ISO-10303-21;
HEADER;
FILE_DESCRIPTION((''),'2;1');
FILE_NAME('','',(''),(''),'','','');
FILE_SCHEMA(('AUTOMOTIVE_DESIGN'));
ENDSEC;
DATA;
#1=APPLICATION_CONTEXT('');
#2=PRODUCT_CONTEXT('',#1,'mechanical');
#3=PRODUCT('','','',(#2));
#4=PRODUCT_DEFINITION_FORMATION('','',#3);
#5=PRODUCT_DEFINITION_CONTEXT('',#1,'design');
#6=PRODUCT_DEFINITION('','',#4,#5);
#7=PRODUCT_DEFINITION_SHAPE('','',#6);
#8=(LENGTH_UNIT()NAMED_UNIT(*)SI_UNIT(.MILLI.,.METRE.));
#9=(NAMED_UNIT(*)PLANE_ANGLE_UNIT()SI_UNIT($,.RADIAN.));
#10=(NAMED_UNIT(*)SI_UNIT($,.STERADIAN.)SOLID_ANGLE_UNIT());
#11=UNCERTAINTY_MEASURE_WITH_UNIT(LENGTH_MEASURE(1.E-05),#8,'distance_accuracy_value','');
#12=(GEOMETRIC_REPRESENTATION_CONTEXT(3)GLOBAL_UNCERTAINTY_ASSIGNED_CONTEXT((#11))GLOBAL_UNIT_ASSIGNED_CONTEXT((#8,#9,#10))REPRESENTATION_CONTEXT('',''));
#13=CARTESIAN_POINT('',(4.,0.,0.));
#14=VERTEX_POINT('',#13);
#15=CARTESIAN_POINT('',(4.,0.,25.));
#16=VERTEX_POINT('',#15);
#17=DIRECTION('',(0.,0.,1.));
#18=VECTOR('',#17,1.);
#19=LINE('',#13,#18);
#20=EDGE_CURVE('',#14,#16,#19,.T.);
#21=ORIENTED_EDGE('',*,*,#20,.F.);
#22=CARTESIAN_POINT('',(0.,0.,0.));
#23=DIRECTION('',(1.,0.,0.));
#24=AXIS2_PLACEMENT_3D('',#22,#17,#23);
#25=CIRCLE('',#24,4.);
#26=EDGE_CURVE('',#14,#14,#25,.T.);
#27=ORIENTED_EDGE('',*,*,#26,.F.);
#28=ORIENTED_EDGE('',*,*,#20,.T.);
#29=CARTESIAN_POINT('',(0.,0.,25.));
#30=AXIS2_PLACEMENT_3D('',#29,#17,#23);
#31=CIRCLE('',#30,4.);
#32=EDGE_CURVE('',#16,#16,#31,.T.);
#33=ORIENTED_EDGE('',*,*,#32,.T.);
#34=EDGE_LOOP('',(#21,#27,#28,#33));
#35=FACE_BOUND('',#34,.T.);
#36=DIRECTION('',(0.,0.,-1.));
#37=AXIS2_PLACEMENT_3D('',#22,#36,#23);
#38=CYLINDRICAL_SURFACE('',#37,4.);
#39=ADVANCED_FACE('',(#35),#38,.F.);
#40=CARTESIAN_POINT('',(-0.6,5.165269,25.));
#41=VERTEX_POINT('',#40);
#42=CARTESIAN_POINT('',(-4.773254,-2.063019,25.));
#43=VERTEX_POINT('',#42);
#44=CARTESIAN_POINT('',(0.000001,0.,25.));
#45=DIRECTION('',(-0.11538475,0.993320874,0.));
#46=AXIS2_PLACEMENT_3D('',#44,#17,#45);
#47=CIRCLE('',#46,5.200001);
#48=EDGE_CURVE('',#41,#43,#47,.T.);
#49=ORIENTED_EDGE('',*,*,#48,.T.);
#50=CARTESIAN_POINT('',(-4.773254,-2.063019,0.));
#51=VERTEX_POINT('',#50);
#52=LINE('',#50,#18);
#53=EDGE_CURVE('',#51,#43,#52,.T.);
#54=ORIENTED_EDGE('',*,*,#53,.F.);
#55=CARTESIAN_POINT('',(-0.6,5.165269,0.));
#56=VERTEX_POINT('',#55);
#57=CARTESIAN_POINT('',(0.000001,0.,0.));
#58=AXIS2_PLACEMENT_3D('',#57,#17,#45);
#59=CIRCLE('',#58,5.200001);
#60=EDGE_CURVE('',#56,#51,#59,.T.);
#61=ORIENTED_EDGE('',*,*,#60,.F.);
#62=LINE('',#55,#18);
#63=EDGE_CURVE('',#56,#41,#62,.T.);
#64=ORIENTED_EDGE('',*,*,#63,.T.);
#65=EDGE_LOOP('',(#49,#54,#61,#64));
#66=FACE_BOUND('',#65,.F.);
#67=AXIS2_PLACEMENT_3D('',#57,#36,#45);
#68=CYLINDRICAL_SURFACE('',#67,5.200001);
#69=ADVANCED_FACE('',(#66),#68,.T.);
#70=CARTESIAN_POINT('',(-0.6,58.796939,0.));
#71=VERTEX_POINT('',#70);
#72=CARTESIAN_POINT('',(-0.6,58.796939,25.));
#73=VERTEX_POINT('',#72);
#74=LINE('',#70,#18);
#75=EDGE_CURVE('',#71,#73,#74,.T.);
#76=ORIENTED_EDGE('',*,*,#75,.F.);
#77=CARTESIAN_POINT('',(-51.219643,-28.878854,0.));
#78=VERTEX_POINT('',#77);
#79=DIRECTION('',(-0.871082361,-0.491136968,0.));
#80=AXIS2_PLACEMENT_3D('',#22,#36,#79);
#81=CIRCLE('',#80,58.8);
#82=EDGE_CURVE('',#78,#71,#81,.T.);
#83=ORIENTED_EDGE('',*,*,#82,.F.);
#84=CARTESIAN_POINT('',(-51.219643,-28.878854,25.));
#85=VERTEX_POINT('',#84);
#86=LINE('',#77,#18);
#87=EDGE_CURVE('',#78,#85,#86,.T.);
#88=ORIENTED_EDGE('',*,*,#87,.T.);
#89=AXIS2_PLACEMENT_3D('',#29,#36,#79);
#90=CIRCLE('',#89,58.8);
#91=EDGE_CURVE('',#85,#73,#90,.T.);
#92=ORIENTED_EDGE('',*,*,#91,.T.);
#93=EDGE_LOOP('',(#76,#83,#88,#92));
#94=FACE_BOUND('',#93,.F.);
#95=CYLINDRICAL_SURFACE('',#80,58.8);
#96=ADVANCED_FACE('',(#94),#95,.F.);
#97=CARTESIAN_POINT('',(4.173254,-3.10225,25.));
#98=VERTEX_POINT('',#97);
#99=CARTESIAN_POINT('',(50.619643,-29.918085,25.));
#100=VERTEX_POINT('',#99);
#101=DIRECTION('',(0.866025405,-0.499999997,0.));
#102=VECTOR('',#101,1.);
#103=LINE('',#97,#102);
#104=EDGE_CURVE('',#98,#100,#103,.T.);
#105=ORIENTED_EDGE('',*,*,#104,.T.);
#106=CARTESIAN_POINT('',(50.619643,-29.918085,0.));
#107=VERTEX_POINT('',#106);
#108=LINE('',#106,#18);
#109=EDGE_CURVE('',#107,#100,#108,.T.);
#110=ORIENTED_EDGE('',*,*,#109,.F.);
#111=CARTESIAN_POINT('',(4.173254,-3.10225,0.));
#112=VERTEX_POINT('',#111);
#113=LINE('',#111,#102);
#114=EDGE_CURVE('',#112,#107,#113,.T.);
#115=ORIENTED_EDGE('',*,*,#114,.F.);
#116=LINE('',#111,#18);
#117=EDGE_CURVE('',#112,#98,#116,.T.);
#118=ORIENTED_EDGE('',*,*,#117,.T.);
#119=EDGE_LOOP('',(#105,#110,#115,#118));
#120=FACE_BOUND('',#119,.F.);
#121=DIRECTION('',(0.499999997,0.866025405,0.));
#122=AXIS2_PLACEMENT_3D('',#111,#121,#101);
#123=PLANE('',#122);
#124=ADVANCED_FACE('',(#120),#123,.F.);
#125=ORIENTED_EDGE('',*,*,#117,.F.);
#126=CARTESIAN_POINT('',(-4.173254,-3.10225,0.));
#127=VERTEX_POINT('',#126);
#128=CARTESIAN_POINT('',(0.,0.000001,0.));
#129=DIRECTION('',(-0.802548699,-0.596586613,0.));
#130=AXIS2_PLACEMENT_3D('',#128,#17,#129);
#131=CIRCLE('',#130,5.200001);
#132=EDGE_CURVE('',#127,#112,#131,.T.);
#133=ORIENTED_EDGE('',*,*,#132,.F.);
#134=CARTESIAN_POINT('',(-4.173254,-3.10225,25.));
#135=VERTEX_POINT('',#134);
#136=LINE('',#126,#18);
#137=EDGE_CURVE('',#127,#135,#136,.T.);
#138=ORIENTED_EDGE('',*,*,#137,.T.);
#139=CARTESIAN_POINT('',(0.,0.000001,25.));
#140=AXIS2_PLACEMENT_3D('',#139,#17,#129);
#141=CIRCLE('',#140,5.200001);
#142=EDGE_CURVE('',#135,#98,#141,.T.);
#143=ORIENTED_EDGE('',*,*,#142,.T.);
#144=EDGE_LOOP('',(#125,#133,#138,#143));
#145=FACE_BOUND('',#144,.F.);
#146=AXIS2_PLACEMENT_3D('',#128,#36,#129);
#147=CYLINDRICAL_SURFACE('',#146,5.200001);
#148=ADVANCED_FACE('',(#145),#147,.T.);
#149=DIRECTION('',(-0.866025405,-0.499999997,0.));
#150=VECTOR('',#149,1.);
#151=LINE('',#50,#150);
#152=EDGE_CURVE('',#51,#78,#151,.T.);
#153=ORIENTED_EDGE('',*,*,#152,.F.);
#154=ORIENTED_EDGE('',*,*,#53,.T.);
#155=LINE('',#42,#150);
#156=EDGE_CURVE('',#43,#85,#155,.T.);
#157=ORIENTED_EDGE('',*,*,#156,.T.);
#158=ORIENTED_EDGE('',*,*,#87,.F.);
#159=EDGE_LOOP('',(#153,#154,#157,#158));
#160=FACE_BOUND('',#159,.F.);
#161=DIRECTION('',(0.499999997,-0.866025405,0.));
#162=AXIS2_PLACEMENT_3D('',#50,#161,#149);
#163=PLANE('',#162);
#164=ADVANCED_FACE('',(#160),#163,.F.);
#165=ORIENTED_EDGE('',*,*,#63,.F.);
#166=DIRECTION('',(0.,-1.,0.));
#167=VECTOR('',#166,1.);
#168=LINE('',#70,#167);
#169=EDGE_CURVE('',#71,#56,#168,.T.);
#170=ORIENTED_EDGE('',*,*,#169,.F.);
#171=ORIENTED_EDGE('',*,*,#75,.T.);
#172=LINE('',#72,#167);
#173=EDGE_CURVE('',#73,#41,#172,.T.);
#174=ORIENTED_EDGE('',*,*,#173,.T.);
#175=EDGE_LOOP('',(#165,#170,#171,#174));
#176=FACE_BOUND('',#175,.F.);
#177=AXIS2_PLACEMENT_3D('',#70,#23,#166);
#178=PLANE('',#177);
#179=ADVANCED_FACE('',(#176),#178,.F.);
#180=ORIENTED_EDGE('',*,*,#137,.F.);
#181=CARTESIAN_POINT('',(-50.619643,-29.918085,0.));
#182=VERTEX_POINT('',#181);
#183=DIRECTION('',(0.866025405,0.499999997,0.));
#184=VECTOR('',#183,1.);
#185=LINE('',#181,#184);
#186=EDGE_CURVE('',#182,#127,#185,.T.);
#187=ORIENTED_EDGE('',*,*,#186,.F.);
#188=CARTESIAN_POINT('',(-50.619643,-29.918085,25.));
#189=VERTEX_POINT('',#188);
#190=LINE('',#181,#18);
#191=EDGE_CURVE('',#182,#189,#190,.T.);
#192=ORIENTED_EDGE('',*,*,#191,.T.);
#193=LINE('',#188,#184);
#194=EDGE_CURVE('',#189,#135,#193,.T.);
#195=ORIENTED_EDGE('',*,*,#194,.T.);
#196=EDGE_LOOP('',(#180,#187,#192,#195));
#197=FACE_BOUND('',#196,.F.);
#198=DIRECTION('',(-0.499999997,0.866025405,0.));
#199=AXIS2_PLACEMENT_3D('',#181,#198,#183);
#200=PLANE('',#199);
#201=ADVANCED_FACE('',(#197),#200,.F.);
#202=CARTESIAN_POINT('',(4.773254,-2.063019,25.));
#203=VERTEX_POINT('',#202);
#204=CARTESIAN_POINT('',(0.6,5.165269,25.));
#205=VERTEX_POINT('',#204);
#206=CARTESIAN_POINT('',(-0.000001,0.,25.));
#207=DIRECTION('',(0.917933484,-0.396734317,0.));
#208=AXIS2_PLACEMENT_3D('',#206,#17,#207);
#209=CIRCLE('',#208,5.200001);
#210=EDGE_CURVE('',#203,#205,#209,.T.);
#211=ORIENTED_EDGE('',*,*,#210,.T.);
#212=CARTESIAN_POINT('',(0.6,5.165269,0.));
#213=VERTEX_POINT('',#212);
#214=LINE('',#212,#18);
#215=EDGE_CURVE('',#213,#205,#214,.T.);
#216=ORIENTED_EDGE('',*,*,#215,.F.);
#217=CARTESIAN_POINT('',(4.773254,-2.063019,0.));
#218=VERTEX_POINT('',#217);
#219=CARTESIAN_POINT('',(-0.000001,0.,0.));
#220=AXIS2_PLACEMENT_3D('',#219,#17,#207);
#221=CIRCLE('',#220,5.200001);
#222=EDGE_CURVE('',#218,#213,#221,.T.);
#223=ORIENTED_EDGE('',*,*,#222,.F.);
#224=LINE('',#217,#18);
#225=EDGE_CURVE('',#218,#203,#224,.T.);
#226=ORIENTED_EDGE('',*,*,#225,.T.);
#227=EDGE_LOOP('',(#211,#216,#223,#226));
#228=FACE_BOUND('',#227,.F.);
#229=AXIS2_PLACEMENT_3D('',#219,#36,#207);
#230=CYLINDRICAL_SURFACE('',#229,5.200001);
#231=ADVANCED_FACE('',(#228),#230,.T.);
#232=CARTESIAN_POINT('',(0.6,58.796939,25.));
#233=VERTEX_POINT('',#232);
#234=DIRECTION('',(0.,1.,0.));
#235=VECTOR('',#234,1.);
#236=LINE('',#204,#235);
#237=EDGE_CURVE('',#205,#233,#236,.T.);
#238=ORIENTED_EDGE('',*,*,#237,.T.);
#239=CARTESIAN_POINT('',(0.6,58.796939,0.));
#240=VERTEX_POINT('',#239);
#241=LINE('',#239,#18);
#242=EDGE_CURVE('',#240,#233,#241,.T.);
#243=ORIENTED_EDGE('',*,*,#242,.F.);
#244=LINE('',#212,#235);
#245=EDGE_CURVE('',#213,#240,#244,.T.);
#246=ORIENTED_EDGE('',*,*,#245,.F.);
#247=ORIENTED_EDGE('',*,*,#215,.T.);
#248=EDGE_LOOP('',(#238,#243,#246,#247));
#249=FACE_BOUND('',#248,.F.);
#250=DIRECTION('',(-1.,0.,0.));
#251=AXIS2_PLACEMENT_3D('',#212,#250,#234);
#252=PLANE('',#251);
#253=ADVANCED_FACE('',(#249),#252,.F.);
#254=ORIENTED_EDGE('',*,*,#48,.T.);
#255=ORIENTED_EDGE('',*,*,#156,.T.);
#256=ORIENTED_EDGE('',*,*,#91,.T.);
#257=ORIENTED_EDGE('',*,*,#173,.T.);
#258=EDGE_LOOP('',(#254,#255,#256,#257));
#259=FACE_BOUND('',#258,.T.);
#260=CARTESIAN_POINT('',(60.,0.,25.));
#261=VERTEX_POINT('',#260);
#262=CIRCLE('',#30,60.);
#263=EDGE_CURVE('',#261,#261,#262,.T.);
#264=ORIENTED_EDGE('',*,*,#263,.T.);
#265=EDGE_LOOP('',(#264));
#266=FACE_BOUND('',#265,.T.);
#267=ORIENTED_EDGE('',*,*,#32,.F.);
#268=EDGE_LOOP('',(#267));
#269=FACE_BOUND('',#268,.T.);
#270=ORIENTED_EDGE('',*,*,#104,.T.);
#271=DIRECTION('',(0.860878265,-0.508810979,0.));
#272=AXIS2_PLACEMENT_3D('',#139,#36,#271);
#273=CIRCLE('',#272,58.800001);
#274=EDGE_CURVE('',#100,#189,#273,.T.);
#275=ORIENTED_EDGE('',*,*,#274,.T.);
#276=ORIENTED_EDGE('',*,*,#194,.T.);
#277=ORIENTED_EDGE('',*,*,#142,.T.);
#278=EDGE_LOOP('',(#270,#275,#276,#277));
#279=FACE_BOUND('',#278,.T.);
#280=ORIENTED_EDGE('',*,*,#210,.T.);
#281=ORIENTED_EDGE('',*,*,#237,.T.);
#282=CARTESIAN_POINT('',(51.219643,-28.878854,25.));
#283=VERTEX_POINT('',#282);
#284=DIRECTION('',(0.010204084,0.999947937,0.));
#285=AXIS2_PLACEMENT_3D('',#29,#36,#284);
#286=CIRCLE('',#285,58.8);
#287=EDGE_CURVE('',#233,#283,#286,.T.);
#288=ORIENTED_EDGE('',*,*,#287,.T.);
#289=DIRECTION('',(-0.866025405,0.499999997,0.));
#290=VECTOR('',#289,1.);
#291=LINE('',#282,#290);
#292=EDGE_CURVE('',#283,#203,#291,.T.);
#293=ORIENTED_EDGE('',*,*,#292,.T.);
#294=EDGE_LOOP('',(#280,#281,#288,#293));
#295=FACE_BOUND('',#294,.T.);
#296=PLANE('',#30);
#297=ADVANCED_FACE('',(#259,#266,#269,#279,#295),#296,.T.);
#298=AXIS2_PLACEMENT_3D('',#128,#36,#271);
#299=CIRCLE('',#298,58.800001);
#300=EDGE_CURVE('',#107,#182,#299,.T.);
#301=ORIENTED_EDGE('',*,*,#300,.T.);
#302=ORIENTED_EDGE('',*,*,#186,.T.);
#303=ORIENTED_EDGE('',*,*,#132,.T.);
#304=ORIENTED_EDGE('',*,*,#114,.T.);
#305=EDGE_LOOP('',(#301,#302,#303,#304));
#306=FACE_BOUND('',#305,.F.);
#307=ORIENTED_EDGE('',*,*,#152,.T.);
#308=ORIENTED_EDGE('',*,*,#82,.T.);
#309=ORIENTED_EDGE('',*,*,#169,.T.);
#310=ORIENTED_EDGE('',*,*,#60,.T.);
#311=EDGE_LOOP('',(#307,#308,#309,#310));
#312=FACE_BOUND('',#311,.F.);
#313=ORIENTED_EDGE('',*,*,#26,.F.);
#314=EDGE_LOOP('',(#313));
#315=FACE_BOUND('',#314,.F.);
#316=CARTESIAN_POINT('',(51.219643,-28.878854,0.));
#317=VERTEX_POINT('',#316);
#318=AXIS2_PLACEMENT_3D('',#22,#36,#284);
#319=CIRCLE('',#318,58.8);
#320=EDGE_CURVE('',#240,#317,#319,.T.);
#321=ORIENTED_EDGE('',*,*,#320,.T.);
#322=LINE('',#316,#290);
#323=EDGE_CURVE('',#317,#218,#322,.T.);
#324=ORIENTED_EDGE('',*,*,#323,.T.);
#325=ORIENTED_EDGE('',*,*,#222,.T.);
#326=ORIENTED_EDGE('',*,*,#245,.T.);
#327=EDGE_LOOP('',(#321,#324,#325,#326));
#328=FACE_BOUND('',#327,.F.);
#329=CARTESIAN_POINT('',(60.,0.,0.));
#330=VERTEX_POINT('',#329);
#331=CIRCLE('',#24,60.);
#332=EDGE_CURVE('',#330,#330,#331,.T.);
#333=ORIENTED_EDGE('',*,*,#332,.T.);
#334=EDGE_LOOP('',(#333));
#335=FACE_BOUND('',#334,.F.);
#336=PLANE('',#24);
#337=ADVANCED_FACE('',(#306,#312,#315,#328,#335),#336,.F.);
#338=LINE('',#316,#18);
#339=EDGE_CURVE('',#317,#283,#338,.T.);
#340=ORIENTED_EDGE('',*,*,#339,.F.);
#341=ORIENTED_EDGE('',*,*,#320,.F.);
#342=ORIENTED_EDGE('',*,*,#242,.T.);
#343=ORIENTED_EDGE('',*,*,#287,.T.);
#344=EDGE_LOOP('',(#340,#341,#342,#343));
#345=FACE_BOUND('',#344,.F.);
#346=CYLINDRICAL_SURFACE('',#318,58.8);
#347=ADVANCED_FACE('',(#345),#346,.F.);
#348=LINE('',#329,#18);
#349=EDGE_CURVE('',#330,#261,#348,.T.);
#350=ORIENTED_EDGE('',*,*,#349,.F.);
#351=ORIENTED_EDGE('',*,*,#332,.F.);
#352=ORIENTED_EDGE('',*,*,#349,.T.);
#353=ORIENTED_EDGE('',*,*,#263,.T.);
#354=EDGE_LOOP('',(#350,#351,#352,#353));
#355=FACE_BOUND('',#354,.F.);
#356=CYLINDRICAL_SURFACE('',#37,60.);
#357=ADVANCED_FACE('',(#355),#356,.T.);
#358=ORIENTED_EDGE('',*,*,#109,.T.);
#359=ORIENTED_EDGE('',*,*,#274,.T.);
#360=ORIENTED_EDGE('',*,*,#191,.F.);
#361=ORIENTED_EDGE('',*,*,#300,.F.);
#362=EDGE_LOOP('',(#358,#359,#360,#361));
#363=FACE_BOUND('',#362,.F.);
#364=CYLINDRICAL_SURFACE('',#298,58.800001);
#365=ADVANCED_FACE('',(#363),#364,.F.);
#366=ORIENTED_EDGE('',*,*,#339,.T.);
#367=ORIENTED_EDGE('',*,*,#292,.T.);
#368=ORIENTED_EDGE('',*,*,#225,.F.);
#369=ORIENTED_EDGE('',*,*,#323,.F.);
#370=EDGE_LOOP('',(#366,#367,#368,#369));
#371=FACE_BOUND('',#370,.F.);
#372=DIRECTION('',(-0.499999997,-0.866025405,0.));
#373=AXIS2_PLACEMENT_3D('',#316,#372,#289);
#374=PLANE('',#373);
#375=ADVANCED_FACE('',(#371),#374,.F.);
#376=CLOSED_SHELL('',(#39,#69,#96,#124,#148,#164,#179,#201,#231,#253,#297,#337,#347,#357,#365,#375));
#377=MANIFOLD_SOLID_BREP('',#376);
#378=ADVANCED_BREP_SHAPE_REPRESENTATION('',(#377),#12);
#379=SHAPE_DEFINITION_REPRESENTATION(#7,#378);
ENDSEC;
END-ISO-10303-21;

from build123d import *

# Parameters (mm, degrees)
F0_R     = 60
F0_R_2   = 4
F1_DEPTH = 25


with BuildPart() as f1:
    # F0 (on Top) → F1 (new body)
    with BuildSketch(Plane.XY):
        Circle(F0_R)
        with BuildLine():
            ThreePointArc((50.619643, -29.918085), (0, -58.8), (-50.619643, -29.918085))
            Line((-50.619643, -29.918085), (-4.173254, -3.10225))
            ThreePointArc((-4.173254, -3.10225), (0, -5.2), (4.173254, -3.10225))
            Line((4.173254, -3.10225), (50.619643, -29.918085))
        make_face(mode=Mode.SUBTRACT)
        with BuildLine():
            ThreePointArc((-51.219643, -28.878854), (-50.922294, 29.4), (-0.6, 58.796939))
            Line((-0.6, 58.796939), (-0.6, 5.165269))
            ThreePointArc((-0.6, 5.165269), (-4.503332, 2.6), (-4.773254, -2.063019))
            Line((-4.773254, -2.063019), (-51.219643, -28.878854))
        make_face(mode=Mode.SUBTRACT)
        Circle(F0_R_2, mode=Mode.SUBTRACT)
        with BuildLine():
            Line((0.6, 5.165269), (0.6, 58.796939))
            ThreePointArc((0.6, 58.796939), (50.922294, 29.4), (51.219643, -28.878854))
            Line((51.219643, -28.878854), (4.773254, -2.063019))
            ThreePointArc((4.773254, -2.063019), (4.503332, 2.6), (0.6, 5.165269))
        make_face(mode=Mode.SUBTRACT)
    extrude(amount=F1_DEPTH)


solid = f1.part
